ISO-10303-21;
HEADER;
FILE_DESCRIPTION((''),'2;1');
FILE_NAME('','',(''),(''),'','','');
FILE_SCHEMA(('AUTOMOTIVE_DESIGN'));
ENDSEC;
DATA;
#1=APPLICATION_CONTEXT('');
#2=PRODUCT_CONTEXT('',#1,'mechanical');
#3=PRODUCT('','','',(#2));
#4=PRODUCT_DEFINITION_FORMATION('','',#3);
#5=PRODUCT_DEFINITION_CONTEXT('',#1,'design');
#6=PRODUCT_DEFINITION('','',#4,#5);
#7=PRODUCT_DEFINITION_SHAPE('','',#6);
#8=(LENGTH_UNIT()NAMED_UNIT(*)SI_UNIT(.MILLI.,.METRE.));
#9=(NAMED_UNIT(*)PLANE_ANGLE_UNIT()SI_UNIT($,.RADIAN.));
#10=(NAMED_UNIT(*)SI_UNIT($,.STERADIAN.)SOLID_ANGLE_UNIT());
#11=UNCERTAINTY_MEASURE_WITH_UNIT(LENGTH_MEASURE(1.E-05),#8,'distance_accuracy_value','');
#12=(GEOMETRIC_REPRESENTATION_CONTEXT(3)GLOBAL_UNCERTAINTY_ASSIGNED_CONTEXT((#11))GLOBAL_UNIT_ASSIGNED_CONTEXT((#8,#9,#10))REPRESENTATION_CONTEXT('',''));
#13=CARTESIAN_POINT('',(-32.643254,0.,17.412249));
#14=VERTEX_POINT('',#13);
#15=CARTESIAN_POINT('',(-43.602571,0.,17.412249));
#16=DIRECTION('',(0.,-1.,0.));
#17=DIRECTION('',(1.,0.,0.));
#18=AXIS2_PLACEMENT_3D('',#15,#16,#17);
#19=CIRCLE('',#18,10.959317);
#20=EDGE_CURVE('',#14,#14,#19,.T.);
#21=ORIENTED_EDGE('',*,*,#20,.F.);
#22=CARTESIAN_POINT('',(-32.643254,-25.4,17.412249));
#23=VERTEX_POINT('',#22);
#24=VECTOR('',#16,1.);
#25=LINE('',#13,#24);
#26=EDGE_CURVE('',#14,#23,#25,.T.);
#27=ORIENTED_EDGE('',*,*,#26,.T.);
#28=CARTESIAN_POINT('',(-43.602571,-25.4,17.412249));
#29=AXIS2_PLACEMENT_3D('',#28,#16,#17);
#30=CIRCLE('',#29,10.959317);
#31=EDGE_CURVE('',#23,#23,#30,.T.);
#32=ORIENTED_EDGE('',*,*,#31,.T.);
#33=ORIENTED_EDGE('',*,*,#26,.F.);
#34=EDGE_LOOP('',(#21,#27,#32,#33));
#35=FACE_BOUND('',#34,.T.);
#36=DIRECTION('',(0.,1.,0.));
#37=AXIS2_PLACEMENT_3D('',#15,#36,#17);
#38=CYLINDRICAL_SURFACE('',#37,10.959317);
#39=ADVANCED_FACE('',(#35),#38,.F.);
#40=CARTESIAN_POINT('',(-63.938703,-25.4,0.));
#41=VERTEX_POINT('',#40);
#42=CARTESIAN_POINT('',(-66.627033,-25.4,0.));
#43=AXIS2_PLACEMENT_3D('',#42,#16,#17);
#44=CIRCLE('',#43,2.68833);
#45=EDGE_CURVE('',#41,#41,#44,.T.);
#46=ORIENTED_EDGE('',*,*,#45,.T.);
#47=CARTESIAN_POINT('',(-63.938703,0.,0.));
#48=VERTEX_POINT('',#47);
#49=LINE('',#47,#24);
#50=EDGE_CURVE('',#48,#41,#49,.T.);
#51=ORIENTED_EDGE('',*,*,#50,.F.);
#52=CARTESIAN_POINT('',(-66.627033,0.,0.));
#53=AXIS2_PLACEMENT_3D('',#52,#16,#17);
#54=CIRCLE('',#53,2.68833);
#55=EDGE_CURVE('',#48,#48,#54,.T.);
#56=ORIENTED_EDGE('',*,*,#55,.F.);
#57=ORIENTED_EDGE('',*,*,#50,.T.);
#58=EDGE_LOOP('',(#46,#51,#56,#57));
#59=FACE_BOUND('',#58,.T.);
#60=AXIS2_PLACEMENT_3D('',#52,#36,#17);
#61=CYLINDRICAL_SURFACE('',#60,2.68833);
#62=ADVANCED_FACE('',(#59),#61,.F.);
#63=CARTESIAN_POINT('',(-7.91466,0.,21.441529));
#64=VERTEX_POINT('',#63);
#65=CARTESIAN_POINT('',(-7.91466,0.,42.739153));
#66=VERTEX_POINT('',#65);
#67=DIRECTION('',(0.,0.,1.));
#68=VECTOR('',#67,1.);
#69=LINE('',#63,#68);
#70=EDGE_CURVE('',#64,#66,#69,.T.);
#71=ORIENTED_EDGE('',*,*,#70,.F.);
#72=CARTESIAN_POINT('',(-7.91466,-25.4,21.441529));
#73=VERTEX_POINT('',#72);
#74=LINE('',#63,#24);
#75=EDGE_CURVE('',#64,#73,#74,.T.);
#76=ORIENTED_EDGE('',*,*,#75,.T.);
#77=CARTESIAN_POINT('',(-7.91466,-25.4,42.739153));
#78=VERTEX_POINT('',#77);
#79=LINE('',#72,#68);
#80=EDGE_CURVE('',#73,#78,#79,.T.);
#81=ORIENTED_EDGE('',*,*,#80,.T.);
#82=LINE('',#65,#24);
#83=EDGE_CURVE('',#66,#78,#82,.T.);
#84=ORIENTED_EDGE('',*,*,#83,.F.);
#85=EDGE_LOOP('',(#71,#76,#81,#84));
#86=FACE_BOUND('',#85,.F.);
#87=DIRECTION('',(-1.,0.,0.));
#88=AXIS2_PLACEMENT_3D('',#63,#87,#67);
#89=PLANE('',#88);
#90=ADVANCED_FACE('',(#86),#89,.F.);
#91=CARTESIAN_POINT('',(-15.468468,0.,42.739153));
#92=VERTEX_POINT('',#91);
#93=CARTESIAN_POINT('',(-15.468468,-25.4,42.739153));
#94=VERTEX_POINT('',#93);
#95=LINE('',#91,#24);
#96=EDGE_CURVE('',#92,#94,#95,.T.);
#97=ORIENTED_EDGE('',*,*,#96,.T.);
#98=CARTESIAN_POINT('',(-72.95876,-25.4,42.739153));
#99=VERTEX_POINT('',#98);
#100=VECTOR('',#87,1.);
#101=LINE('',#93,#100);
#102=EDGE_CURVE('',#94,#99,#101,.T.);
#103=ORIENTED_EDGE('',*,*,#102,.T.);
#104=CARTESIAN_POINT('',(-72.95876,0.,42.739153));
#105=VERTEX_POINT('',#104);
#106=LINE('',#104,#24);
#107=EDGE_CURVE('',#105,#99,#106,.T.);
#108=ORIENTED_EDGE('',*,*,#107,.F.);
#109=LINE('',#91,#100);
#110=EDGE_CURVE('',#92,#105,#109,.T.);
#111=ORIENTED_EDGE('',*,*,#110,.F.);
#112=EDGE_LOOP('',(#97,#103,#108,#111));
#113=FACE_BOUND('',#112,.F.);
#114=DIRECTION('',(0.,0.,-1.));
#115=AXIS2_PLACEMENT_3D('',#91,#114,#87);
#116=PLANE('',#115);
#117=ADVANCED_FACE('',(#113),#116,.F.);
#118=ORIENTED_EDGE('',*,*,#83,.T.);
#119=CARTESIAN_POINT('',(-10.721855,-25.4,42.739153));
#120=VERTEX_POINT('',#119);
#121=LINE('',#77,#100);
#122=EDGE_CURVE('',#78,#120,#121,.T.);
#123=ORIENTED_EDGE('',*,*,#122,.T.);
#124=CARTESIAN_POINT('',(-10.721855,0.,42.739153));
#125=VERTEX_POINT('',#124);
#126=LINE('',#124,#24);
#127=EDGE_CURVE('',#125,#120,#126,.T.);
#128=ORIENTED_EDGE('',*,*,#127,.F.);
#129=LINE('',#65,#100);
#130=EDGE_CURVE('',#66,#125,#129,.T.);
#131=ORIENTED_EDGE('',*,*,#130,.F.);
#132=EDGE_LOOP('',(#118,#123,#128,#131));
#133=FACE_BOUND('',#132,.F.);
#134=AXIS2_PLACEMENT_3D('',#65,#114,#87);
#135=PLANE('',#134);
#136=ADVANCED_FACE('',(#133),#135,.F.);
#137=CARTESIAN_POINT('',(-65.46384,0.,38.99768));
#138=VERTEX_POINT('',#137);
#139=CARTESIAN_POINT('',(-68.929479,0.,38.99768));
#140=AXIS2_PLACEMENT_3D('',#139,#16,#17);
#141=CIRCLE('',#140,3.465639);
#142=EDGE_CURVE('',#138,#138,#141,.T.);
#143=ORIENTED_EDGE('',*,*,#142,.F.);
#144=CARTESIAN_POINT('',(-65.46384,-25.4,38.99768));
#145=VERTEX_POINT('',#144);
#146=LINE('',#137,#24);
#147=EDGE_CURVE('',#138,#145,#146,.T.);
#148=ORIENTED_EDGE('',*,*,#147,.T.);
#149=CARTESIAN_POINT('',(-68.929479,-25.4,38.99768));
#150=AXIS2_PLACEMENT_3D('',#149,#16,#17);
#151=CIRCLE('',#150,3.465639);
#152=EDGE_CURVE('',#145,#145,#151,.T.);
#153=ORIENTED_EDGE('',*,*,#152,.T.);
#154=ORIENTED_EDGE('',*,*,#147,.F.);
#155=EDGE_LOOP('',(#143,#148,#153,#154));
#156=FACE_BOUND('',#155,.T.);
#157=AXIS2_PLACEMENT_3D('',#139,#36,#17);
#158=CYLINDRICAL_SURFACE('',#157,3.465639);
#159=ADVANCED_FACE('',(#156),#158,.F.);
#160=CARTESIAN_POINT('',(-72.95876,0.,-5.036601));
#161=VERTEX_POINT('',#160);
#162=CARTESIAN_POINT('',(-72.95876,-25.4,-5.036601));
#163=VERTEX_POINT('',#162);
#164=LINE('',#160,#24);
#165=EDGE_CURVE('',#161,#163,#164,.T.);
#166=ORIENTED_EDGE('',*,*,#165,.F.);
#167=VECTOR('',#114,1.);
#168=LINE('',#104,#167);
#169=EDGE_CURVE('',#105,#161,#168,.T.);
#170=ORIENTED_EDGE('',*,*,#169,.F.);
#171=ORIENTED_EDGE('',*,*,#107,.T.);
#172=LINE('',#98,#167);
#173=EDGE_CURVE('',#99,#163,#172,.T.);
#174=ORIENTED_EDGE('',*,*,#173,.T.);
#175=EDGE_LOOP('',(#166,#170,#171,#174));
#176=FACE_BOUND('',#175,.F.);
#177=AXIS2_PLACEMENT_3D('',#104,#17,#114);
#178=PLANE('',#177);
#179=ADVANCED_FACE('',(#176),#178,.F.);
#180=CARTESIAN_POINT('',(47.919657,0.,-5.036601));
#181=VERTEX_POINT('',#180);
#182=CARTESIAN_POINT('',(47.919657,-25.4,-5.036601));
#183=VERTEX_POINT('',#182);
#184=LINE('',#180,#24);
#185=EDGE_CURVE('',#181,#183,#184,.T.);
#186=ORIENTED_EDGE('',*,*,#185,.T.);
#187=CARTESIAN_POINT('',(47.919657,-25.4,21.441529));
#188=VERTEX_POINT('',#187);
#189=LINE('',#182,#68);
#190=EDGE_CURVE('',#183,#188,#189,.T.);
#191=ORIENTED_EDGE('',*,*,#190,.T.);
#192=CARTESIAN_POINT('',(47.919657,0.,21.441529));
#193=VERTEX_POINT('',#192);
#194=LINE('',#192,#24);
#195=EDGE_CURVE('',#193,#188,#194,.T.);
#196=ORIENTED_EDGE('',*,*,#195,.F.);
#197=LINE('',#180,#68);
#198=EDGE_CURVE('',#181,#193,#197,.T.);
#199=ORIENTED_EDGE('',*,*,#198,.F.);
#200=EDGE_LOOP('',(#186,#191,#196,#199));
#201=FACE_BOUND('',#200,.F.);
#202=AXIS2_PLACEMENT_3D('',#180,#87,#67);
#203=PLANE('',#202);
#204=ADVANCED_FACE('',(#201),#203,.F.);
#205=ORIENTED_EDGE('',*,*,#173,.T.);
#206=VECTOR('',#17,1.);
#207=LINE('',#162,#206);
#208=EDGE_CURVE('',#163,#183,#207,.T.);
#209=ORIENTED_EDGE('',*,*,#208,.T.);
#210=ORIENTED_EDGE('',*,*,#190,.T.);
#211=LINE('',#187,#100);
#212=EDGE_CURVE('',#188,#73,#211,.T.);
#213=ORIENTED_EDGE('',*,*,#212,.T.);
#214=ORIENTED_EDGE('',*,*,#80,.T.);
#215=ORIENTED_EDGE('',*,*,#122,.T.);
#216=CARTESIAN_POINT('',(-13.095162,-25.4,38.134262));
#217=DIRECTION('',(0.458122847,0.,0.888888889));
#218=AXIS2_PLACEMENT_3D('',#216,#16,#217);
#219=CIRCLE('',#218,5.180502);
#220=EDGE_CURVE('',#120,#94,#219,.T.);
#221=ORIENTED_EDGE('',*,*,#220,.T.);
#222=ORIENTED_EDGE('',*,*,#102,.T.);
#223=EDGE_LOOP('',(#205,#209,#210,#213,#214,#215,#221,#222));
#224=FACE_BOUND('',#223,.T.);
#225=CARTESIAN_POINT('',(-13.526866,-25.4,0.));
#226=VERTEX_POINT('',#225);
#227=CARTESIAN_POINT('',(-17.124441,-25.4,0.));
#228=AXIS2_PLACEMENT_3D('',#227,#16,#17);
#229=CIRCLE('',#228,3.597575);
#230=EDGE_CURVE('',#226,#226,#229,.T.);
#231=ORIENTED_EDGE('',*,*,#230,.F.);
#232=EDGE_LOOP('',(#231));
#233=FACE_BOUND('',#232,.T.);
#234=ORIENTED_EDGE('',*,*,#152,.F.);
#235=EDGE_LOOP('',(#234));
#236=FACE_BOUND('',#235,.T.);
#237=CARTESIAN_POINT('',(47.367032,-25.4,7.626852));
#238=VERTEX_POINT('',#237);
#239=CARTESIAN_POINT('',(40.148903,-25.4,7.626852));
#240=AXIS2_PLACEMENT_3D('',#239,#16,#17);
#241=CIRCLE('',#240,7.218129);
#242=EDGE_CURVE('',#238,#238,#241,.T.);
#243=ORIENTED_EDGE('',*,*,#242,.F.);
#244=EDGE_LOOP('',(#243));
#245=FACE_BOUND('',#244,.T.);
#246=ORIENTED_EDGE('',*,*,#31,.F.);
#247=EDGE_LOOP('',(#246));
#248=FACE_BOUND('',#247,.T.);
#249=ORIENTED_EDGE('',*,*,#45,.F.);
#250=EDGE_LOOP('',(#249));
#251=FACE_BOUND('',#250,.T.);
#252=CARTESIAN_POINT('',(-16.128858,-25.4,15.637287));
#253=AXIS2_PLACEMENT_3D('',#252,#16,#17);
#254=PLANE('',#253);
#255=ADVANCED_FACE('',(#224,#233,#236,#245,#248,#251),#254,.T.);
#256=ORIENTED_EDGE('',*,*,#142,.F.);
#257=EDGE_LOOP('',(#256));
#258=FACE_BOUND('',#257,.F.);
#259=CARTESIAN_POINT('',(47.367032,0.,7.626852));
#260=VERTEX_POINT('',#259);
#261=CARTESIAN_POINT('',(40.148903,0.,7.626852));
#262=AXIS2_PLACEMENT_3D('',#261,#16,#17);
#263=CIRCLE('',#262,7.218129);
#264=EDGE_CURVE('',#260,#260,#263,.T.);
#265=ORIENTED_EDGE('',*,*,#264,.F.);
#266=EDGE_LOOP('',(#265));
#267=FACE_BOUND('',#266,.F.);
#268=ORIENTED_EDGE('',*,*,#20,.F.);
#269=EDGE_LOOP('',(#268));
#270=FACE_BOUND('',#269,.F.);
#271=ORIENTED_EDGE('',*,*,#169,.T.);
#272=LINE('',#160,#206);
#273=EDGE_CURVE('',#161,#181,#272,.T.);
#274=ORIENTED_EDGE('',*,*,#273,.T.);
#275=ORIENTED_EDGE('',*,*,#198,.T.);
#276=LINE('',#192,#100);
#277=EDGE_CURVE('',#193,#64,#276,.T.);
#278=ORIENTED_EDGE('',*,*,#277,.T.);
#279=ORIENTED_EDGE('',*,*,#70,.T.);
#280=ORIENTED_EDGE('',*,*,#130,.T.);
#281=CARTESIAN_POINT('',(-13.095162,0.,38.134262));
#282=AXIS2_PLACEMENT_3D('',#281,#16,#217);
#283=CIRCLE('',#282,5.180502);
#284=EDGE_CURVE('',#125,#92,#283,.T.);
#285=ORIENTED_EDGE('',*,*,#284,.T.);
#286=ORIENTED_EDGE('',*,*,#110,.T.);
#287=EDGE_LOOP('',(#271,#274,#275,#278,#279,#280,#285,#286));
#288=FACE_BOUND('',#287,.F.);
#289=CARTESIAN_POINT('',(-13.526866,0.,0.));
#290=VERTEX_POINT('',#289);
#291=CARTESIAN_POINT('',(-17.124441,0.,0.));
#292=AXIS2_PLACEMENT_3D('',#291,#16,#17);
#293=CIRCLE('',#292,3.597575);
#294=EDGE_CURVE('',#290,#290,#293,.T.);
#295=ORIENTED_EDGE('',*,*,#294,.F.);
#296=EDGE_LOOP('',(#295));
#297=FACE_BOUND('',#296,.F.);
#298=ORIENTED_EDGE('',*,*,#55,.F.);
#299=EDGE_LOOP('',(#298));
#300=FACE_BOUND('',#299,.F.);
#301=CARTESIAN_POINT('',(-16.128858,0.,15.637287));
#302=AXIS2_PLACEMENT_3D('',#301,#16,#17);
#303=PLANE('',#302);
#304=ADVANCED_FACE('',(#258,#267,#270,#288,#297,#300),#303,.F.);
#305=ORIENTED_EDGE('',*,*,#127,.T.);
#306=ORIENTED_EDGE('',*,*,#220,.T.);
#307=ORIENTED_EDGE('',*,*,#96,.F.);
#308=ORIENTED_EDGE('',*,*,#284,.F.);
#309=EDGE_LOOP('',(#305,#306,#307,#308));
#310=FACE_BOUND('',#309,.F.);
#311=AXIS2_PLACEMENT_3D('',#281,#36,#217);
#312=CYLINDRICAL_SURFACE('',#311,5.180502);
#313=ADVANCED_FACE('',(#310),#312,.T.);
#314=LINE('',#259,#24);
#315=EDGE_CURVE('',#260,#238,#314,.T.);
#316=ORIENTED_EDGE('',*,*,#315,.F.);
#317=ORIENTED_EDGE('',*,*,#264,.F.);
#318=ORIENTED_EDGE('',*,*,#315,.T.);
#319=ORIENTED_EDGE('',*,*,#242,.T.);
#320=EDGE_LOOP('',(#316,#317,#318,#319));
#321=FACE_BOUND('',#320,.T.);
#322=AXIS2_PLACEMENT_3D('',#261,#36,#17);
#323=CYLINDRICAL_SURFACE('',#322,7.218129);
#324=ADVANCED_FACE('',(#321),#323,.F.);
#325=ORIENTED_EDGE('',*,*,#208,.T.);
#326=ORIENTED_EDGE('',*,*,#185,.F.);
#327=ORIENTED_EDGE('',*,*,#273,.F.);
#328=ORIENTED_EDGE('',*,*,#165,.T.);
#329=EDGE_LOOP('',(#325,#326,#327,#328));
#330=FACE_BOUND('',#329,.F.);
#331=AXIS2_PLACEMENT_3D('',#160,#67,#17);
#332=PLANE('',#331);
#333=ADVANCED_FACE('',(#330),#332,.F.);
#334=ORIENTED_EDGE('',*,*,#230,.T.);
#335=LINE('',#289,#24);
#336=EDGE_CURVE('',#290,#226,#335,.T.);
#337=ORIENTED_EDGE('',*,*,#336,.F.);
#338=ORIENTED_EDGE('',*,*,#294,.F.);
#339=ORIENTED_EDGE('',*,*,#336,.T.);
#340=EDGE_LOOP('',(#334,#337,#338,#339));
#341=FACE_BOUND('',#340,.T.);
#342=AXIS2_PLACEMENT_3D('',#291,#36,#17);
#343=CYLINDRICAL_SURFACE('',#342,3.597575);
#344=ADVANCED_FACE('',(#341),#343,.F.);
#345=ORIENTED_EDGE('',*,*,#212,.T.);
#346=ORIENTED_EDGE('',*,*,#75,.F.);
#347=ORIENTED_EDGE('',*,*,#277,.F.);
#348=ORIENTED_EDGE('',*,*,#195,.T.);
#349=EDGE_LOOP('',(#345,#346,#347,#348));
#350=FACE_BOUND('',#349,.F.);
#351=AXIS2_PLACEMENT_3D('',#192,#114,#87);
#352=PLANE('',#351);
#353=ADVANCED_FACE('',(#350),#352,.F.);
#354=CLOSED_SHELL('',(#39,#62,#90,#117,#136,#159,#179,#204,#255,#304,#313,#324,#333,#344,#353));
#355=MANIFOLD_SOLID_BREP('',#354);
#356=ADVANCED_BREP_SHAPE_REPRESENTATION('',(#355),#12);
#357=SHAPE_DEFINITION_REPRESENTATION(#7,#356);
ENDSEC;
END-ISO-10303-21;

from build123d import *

# Parameters (mm, degrees)
F0_R     = 2.688329696
F0_R_2   = 3.5975746904
F0_R_3   = 10.9593172869
F0_R_4   = 7.2181289024
F0_R_5   = 3.465638667
F1_DEPTH = 25.4


with BuildPart() as f1:
    # F0 (on Front) → F1 (new body)
    with BuildSketch(Plane.XZ):
        with BuildLine():
            Line((-15.4684683464, 42.7391529083), (-72.9587599635, 42.7391529083))
            Line((-72.9587599635, 42.7391529083), (-72.9587599635, -5.0366008654))
            Line((-72.9587599635, -5.0366008654), (47.9196570814, -5.0366008654))
            Line((47.9196570814, -5.0366008654), (47.9196570814, 21.4415285736))
            Line((47.9196570814, 21.4415285736), (-7.9146595672, 21.4415285736))
            Line((-7.9146595672, 21.4415285736), (-7.9146595672, 38.1342619658))
            ThreePointArc((-7.9146595672, 38.1342619658), (-15.7917045291, 33.7108852108), (-15.4684683464, 42.7391529083))
        make_face()
        with Locations((-66.6270330548, 0)):
            Circle(F0_R, mode=Mode.SUBTRACT)
        with Locations((-17.124440521, 0)):
            Circle(F0_R_2, mode=Mode.SUBTRACT)
        with Locations((-43.6025708914, 17.4122489989)):
            Circle(F0_R_3, mode=Mode.SUBTRACT)
        with Locations((40.1489026845, 7.6268524863)):
            Circle(F0_R_4, mode=Mode.SUBTRACT)
        with Locations((-68.9294785261, 38.9976799488)):
            Circle(F0_R_5, mode=Mode.SUBTRACT)
        with BuildLine():
            ThreePointArc((-10.7218554087, 42.7391529083), (-13.0951618776, 43.3147642761), (-15.4684683464, 42.7391529083))
            Line((-15.4684683464, 42.7391529083), (-10.7218554087, 42.7391529083))
        make_face()
        with BuildLine():
            Line((-10.7218554087, 42.7391529083), (-15.4684683464, 42.7391529083))
            ThreePointArc((-15.4684683464, 42.7391529083), (-15.7917045291, 33.7108852108), (-7.9146595672, 38.1342619658))
            ThreePointArc((-7.9146595672, 38.1342619658), (-8.6717851226, 40.8308046173), (-10.7218554087, 42.7391529083))
        make_face()
        with BuildLine():
            Line((-7.9146595672, 42.7391529083), (-10.7218554087, 42.7391529083))
            ThreePointArc((-10.7218554087, 42.7391529083), (-8.6717851226, 40.8308046173), (-7.9146595672, 38.1342619658))
            Line((-7.9146595672, 38.1342619658), (-7.9146595672, 42.7391529083))
        make_face()
    extrude(amount=F1_DEPTH)


solid = f1.part
